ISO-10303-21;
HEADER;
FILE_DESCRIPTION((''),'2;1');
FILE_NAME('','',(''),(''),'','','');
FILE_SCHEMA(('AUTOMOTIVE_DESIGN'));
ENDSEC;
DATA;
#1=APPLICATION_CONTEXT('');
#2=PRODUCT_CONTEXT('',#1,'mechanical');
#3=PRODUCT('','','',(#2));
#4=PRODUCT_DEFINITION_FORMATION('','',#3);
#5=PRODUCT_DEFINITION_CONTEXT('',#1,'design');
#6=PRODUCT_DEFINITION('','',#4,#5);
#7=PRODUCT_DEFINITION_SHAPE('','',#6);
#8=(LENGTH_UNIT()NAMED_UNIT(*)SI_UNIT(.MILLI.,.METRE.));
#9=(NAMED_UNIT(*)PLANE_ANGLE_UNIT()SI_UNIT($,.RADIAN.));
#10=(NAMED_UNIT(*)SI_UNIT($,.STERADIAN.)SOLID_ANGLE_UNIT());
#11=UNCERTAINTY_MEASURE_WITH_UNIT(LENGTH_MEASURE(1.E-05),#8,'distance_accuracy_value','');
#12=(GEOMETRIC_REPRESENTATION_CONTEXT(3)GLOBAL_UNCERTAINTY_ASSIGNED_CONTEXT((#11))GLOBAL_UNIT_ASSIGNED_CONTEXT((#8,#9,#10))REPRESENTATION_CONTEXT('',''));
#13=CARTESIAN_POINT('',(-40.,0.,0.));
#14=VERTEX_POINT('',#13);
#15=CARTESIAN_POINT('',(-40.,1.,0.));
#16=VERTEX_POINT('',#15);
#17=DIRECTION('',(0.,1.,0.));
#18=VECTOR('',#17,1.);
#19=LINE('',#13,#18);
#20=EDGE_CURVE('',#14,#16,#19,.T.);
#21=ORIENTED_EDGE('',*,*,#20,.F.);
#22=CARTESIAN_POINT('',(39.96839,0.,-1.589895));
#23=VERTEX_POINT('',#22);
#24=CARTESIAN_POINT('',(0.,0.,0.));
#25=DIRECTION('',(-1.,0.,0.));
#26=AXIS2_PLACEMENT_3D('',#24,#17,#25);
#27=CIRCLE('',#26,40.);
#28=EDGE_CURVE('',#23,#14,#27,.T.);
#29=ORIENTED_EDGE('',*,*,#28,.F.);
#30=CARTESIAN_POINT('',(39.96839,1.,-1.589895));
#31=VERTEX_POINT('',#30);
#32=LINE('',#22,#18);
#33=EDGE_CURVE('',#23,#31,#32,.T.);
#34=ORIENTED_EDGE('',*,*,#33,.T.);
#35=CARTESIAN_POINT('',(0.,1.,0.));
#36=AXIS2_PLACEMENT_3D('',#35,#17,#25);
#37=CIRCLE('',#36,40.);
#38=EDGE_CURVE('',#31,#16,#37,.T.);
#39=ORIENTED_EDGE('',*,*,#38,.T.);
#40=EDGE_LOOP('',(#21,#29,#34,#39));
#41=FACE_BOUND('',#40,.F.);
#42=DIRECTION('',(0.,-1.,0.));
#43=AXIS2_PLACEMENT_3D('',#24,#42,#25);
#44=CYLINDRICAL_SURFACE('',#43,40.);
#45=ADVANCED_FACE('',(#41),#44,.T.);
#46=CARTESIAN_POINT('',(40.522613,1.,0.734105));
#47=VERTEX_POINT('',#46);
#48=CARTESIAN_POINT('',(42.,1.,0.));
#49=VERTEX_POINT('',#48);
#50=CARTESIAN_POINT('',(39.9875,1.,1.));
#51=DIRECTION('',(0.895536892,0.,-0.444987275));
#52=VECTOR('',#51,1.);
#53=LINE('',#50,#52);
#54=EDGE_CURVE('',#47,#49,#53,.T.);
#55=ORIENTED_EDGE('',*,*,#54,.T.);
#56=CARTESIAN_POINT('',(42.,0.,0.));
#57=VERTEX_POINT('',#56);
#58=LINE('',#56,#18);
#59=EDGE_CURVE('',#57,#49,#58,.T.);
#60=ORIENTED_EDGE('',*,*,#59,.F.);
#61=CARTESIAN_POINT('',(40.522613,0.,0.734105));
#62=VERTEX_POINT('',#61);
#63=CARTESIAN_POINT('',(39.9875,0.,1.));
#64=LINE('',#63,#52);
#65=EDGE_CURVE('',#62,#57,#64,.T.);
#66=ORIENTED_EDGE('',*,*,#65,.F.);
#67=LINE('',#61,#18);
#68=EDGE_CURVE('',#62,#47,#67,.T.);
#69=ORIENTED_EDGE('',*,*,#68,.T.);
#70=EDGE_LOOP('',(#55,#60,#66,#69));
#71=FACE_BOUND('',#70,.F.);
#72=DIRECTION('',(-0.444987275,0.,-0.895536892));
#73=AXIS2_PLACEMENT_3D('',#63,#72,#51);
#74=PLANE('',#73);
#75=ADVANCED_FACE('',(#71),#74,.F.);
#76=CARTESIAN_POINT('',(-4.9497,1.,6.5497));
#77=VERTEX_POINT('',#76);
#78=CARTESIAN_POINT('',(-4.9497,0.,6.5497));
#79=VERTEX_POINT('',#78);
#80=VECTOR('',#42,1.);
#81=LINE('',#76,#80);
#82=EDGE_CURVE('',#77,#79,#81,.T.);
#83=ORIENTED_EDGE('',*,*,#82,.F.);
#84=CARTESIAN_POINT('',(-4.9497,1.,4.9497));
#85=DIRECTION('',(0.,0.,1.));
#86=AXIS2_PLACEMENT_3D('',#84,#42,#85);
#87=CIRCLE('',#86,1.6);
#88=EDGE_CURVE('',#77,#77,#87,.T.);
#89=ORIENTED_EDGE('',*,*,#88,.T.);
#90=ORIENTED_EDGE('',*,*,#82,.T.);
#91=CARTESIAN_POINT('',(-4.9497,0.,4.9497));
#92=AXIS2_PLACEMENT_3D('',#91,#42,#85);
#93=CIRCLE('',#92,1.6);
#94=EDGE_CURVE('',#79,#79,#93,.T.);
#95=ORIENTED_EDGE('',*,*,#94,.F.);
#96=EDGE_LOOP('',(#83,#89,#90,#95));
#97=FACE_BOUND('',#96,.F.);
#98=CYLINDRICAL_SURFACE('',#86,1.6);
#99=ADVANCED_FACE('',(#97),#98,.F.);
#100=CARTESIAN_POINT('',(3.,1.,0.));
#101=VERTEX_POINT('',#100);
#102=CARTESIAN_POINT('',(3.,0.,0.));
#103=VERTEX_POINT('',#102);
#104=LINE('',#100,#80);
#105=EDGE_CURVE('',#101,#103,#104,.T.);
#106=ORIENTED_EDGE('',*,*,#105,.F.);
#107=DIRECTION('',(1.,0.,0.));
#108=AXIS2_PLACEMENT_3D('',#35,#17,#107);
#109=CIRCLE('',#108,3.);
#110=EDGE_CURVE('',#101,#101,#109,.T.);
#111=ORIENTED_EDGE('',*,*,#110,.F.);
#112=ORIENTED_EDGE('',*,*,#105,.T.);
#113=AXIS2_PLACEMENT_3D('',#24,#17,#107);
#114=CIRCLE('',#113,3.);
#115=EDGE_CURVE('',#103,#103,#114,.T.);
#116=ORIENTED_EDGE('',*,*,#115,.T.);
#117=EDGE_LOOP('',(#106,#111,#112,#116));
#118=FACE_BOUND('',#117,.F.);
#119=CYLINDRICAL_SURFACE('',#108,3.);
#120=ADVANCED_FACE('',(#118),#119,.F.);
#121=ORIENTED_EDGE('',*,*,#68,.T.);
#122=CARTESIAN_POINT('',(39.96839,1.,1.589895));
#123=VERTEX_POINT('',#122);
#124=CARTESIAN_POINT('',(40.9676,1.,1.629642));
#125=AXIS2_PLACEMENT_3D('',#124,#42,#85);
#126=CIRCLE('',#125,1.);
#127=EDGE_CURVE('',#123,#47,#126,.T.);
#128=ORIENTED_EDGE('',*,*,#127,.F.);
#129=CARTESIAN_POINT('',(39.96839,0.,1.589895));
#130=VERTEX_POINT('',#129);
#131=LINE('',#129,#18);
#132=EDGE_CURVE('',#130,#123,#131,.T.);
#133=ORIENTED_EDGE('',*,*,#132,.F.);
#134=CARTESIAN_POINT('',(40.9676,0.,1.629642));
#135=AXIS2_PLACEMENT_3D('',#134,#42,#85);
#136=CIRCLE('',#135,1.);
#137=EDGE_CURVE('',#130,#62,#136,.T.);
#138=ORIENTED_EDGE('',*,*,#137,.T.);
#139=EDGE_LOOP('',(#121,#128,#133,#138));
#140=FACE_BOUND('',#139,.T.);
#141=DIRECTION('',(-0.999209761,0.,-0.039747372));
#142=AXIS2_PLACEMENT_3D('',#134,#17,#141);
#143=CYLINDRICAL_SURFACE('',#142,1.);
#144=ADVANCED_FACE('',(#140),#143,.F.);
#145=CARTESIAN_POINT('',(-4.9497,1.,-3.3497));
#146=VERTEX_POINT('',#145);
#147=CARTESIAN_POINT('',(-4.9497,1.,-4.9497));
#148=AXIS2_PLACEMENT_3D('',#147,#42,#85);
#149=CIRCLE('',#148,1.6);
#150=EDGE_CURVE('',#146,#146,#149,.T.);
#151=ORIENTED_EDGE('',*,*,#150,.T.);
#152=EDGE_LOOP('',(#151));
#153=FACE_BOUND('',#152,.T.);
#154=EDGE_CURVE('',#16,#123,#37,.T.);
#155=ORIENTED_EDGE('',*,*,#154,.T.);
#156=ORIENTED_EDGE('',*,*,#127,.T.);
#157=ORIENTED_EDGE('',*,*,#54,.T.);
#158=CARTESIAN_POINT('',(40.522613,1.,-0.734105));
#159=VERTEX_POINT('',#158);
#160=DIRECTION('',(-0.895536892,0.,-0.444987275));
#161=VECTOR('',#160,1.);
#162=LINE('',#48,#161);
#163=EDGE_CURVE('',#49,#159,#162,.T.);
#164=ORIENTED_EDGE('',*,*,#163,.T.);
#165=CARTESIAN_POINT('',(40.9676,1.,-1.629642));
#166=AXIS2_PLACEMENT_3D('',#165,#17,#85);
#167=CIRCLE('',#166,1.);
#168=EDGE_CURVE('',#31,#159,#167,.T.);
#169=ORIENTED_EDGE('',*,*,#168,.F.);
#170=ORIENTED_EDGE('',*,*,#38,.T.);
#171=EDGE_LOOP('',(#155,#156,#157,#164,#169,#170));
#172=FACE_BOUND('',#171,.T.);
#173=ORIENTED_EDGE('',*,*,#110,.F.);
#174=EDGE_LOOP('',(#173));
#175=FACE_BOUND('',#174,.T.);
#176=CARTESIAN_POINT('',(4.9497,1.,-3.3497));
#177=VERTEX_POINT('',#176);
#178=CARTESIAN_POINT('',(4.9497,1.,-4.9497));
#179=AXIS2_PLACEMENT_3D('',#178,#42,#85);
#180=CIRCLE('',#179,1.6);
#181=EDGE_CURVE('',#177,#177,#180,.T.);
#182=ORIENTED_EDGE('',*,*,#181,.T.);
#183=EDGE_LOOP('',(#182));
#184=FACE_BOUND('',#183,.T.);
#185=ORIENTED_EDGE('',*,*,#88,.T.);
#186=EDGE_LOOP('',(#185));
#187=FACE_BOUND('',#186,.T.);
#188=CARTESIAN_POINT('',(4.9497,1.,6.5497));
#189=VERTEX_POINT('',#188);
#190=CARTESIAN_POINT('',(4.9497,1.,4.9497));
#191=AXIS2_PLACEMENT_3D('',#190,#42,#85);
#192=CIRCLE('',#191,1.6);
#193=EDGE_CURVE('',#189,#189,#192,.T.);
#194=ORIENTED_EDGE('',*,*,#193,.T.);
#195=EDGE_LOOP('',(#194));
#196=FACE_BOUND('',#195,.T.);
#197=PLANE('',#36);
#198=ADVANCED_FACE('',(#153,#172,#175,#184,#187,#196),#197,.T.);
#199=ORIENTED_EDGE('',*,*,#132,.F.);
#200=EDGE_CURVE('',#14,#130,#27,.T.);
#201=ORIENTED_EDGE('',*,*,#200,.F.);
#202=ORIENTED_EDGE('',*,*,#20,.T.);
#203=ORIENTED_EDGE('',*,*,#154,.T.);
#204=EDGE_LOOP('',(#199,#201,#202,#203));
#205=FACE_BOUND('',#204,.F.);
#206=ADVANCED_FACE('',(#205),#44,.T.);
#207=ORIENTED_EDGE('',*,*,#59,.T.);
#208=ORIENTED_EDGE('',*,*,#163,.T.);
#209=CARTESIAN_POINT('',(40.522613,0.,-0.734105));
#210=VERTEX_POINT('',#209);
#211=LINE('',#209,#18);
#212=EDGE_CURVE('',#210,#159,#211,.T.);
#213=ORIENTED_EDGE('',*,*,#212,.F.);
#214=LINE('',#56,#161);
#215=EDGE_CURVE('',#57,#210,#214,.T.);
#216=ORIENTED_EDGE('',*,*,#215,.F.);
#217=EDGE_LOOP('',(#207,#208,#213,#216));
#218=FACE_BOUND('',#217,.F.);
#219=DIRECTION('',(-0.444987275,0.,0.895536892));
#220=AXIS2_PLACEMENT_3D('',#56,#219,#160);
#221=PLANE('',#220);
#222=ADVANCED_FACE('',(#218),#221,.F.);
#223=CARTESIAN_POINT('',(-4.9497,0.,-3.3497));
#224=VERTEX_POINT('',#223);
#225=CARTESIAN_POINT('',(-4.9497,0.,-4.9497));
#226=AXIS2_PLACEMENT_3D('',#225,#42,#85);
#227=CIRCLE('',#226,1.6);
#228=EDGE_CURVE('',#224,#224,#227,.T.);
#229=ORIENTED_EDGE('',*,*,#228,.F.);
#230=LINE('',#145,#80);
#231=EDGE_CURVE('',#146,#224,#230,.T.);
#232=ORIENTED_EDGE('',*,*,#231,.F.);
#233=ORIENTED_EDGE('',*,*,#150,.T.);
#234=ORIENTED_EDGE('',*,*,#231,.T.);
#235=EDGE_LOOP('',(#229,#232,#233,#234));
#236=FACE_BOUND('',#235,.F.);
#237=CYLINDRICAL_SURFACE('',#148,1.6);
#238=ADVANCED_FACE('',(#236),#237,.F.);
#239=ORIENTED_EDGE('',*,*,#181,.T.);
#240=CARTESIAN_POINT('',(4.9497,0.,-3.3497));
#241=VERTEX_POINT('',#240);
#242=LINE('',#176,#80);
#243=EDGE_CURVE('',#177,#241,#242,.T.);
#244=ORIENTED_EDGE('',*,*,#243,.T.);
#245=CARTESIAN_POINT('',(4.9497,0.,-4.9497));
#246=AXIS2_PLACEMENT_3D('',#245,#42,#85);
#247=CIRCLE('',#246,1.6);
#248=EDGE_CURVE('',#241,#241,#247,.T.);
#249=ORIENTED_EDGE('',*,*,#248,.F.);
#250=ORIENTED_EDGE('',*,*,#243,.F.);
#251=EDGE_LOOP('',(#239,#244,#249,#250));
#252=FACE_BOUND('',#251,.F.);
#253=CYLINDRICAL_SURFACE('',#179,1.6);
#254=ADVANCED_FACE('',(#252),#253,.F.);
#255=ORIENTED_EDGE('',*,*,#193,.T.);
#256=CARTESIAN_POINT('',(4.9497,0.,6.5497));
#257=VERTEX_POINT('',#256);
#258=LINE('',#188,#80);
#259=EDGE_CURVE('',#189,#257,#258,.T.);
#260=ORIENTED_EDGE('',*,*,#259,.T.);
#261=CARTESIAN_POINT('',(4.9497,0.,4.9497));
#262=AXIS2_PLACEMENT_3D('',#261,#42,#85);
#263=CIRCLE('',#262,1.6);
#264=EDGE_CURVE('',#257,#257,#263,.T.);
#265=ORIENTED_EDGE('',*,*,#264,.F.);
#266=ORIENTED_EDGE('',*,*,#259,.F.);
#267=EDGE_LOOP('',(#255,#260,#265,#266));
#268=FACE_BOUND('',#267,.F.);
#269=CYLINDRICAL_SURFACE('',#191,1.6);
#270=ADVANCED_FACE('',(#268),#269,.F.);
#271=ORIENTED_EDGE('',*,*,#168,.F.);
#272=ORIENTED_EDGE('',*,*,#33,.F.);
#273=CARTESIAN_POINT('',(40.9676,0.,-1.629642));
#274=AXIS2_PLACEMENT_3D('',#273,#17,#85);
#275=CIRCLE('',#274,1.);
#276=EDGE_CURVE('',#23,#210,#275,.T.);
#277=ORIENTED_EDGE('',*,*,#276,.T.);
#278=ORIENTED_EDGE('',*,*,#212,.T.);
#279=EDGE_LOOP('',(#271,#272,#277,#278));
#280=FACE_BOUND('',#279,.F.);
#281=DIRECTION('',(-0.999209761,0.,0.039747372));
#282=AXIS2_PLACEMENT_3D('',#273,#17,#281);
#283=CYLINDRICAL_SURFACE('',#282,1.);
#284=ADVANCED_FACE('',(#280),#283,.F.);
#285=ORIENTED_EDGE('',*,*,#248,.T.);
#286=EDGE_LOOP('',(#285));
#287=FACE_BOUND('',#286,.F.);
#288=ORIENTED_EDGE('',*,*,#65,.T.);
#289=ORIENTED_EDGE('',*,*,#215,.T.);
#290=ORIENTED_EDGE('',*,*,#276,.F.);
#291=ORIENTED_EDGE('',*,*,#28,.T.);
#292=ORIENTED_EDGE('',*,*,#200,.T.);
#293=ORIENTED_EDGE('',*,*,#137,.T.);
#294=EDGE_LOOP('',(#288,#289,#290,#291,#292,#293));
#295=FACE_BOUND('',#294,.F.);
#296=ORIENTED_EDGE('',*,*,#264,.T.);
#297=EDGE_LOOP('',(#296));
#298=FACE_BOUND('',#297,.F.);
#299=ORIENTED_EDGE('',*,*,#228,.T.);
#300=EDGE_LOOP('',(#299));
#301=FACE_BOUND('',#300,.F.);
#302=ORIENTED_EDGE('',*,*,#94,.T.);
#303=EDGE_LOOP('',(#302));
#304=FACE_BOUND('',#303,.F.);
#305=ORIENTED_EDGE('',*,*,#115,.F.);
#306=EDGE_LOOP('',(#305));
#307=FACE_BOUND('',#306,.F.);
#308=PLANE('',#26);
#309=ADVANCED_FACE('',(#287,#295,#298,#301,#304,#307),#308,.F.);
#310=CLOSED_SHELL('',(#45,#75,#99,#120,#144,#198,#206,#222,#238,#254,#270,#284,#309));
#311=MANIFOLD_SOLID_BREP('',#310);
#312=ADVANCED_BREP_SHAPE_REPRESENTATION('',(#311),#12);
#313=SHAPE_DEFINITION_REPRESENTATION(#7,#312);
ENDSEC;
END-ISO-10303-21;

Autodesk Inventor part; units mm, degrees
ref_plane "YZ Plane" through (0, 0, 0) normal (1, 0, 0) x (0, 1, 0)
ref_plane "XZ Plane" through (0, 0, 0) normal (0, 1, 0) x (-1, 0, 0)
ref_plane "XY Plane" through (0, 0, 0) normal (0, 0, 1) x (1, 0, 0)
sketch "Sketch1" plane through (0, 0, 0) normal (0, 1, 0) x (-1, 0, 0)
  circle A0 centre (0, 0) radius 40
  dimension "d2" = 80
extrude "Extrusion1" add sketch "Sketch1" along normal blind 1
sketch "Sketch2" plane through (0, 1, 0) normal (0, 1, 0) x (1, 0, 0)
  circle A0 centre (0, 0) radius 3
  dimension "d3" = 6
extrude "Extrusion2" cut sketch "Sketch2" against normal through all
sketch "Sketch3" plane through (0, 1, 0) normal (0, 1, 0) x (1, 0, 0)
  line L0 (4.9497, 4.9497) -> (-4.9497, 4.9497)
  line L1 (-4.9497, 4.9497) -> (-4.9497, -4.9497)
  line L2 (-4.9497, -4.9497) -> (4.9497, -4.9497)
  line L3 (4.9497, -4.9497) -> (4.9497, 4.9497)
  circle A0 centre (0, 0) radius 3 projected
  line L4 (4.9497, 4.9497) -> (-4.9497, -4.9497) construction
  line L5 (-4.9497, 4.9497) -> (4.9497, -4.9497) construction
  dimension "d6" = 14
  dimension "d7" = 14
  dimension "d8" = 9.8995
  dimension "d9" = 9.8995
hole "Hole1" at (-4.9497, 1, 4.9497) at (-4.9497, 1, -4.9497) at (4.9497, 1, 4.9497) at (4.9497, 1, -4.9497) direction (0, -1, 0) diameter 3.2 end through all clearance for "Flat Head Machine Screw" size "M3" standard "Ansi Metric M Profile"
sketch "Sketch4" plane through (0, 0, 0) normal (0, -1, 0) x (1, 0, 0)
  circle A0 centre (4.9497, 4.9497) radius 1.6 projected
  circle A1 centre (-4.9497, 4.9497) radius 1.6 projected
  circle A2 centre (-4.9497, -4.9497) radius 1.6 projected
  circle A3 centre (4.9497, -4.9497) radius 1.6 projected
  circle A4 centre (0, 0) radius 3 projected
  circle A5 centre (0, 0) radius 40 projected
  circle A6 centre (0, 0) radius 40 projected
  line L0 (39.9875, 1) -> (42, 0)
  line L1 (42, 0) -> (39.9875, -1)
  dimension "d18" = 1
  dimension "d19" = 1
  dimension "d20" = 42
extrude "Extrusion3" add sketch "Sketch4" against normal blind 1 contours A5 L0 L1
fillet "Fillet1" radius 1 2 edges at (39.9875, 0.5, -1) (39.9875, 0.5, 1)
equation "\"d8\" = d9"
equation "\"d19\" = d18"
properties part number "IndPlate"
